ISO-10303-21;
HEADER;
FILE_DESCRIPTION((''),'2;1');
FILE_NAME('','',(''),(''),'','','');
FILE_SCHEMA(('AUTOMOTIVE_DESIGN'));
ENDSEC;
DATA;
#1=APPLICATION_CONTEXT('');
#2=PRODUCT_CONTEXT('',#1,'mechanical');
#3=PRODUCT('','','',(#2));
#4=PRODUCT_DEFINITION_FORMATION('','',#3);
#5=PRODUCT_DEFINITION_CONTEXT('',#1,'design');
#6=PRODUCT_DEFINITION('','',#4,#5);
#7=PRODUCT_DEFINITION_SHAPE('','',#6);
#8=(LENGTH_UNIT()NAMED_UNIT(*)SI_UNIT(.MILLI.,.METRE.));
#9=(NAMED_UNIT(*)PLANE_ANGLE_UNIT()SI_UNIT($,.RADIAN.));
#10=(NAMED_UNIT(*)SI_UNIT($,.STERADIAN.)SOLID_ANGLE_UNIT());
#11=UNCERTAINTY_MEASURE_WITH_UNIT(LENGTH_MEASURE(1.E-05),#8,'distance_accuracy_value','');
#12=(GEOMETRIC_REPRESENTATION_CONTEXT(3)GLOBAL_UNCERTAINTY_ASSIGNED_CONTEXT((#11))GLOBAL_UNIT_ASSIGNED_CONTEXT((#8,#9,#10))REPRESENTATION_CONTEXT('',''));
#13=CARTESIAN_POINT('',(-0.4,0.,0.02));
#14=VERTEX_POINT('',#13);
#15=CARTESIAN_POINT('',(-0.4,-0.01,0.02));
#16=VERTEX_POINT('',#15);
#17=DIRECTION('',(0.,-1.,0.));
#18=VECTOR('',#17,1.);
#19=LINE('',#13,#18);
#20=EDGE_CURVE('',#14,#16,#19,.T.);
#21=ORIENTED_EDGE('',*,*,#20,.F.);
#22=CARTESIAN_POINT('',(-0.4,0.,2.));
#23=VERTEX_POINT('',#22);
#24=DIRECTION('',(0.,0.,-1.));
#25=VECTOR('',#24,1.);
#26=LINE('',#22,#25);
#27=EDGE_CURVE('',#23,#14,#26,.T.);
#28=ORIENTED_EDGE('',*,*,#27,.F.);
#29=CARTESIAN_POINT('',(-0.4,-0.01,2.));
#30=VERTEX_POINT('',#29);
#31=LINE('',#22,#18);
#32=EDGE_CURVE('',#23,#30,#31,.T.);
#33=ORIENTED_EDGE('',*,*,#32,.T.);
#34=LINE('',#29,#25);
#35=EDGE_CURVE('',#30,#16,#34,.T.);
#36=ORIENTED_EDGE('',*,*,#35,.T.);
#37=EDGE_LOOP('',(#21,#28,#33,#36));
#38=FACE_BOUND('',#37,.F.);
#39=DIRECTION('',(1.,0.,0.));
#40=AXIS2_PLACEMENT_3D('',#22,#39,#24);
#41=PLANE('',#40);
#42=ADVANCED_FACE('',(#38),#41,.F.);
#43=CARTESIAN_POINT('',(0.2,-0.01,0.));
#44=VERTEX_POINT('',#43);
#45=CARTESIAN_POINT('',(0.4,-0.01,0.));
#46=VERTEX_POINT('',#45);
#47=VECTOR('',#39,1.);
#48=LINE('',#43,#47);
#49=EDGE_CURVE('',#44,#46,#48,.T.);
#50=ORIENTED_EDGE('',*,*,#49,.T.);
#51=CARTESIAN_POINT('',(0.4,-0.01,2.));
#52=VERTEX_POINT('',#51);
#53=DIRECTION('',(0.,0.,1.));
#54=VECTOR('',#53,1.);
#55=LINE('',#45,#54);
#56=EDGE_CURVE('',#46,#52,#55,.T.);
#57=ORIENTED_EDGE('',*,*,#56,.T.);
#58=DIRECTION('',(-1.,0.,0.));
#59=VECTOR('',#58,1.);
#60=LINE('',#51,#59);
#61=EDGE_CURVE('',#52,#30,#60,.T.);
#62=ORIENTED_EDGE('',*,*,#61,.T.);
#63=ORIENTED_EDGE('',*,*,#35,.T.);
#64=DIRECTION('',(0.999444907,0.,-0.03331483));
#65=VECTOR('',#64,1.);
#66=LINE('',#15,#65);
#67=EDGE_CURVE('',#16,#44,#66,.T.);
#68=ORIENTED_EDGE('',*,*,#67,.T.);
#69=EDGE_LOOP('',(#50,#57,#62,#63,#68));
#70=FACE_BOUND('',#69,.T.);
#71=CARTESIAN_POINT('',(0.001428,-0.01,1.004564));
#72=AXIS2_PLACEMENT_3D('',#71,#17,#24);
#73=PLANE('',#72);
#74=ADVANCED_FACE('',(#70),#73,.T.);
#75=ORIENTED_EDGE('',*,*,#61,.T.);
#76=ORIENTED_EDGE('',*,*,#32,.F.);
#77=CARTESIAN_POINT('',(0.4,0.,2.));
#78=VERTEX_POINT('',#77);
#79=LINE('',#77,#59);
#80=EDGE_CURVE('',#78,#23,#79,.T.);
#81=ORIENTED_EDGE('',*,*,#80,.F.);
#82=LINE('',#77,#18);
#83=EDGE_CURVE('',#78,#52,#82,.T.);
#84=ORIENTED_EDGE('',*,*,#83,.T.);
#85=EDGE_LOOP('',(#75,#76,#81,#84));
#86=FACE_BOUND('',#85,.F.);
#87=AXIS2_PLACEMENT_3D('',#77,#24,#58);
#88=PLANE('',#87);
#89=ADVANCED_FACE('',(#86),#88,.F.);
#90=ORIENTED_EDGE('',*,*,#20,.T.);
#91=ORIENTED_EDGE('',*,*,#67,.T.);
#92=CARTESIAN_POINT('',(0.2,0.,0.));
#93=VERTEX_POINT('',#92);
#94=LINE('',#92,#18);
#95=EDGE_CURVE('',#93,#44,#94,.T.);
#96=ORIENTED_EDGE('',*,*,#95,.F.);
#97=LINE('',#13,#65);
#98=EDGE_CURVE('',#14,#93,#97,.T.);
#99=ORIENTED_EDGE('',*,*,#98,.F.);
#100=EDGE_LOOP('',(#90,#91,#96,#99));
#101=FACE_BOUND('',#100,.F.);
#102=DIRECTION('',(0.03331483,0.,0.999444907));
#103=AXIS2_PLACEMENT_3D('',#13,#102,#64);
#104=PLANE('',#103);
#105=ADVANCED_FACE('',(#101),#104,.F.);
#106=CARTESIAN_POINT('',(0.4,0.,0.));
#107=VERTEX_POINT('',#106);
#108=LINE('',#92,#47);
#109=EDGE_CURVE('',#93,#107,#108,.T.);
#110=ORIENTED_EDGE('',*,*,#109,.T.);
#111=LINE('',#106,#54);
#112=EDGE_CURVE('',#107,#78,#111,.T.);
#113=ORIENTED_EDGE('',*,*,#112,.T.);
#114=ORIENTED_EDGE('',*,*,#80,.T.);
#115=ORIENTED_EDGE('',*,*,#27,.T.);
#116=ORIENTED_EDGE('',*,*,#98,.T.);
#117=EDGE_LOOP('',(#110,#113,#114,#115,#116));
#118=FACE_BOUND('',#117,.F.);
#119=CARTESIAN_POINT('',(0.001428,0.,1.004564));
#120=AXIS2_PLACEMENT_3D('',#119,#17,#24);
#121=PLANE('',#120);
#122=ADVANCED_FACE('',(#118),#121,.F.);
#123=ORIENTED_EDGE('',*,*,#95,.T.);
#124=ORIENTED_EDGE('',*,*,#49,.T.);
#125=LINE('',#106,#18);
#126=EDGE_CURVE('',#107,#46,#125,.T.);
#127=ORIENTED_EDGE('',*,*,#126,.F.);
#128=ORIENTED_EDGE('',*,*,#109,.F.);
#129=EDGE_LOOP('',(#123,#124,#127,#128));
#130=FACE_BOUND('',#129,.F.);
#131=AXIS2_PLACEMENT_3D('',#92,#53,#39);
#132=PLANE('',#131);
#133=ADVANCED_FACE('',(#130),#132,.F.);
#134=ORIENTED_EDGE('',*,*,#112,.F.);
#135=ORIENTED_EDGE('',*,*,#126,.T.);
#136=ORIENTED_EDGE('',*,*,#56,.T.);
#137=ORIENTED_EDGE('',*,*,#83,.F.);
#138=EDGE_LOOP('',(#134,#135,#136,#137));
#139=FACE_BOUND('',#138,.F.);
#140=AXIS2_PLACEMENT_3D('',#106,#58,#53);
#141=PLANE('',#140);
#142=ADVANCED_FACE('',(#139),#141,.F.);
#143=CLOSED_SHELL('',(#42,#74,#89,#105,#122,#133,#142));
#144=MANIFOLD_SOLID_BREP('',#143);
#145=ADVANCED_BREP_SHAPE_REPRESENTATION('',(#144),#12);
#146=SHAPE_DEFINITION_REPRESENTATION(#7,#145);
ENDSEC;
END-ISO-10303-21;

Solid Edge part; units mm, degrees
sketch "Sketch1" plane through (0, 0, 0) normal (0, -1, 0) x (1, 0, 0)
  line L0 (0.2, 0) -> (0.4, 0)
  line L1 (0.4, 0) -> (0.4, 2)
  line L2 (0.4, 2) -> (-0.4, 2)
  line L3 (-0.4, 2) -> (-0.4, 0.02)
  line L4 (-0.4, 0.02) -> (0.2, 0)
  dimension "D1" = 0.4
  dimension "D2" = 0.4
  dimension "D3" = 0.2
extrude "Protrusion1" add sketch "Sketch1" along normal blind 0.01
